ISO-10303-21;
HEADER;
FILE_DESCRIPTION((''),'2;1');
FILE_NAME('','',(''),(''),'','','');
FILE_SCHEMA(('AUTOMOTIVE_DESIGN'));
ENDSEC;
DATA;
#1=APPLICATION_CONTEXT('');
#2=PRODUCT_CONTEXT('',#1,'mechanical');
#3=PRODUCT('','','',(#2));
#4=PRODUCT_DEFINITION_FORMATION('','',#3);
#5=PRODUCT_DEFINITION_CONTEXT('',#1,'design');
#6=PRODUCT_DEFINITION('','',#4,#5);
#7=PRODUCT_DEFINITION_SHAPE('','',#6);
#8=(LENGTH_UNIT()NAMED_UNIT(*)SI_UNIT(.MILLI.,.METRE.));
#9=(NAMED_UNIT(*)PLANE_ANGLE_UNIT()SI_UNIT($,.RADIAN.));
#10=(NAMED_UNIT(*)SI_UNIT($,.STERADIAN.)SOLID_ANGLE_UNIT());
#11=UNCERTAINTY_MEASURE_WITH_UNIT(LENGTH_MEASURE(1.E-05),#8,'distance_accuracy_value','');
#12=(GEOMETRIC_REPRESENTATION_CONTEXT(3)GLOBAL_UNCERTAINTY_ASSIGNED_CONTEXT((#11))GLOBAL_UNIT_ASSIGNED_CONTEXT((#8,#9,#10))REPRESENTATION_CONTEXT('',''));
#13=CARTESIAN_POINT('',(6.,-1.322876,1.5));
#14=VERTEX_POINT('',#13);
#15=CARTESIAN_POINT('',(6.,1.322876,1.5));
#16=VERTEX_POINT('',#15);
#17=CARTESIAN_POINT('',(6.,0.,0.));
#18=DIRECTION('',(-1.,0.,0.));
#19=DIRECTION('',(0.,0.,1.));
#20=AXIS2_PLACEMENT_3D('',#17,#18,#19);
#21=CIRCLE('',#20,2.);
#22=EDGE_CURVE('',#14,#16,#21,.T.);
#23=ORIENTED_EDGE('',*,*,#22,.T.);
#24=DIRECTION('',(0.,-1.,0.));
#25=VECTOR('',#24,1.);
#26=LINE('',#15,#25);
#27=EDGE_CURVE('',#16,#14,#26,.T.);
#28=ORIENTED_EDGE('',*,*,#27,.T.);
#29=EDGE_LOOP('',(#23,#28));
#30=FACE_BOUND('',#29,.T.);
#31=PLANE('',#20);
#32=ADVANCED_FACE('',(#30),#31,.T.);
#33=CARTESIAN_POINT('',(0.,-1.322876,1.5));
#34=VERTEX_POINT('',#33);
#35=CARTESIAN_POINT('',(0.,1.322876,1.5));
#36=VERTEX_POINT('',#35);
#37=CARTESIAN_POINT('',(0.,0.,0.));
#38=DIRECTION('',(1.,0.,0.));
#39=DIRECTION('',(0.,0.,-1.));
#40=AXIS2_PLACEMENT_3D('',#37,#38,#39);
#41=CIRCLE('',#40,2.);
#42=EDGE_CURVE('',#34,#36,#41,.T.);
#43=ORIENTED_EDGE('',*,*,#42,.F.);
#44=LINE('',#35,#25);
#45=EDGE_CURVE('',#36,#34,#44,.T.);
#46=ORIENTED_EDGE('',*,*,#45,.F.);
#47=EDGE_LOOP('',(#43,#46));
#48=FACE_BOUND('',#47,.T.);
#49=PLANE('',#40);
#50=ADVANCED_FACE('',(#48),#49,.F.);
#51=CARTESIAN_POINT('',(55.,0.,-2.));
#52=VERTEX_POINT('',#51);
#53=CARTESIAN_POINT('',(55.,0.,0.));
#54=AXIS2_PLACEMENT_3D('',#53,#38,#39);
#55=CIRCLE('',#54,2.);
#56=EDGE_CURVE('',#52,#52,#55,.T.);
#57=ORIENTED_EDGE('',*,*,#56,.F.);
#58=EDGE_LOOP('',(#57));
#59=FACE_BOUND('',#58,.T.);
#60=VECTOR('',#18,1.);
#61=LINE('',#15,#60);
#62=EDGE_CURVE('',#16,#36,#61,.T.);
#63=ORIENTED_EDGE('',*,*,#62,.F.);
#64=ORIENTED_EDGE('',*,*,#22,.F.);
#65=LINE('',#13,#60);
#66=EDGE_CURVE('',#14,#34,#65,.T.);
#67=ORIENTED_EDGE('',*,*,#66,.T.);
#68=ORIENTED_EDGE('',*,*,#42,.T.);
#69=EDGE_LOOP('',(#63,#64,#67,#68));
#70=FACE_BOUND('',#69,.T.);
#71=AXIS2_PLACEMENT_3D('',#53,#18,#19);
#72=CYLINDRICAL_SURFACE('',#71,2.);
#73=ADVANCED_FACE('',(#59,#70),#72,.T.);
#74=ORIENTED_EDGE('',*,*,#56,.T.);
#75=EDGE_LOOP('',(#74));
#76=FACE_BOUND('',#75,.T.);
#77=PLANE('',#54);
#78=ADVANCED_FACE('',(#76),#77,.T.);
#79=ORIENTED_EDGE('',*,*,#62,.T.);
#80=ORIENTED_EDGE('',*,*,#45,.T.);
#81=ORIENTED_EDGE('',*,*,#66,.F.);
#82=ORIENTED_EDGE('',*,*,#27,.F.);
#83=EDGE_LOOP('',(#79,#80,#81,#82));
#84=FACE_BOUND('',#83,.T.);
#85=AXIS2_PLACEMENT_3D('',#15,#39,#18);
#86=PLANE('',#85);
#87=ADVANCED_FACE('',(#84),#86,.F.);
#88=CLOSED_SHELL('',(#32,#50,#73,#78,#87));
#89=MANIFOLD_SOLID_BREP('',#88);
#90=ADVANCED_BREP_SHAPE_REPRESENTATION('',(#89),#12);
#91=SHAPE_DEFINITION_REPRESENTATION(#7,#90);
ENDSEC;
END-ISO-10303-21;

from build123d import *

# Parameters (mm, degrees)
SKETCH1_R           = 2
BOSS_EXTRUDE1_DEPTH = 55
CUT_EXTRUDE1_DEPTH  = 6


with BuildPart() as part:
    # Sketch1 → Boss-Extrude1 (new body)
    with BuildSketch(Plane.YZ):
        with Locations(Location((0, 0, 0), (0, 0, 270))):
            Circle(SKETCH1_R)
    extrude(amount=BOSS_EXTRUDE1_DEPTH)

    # Sketch2 → Cut-Extrude1 (cut)
    with BuildSketch(Plane(origin=(0, 0, 0), x_dir=(0, -1, 0), z_dir=(-1, 0, 0))):
        with BuildLine():
            Line((-1.322875656, 1.5), (1.322875656, 1.5))
            ThreePointArc((1.322875656, 1.5), (0, 2), (-1.322875656, 1.5))
        make_face()
    extrude(amount=-CUT_EXTRUDE1_DEPTH, mode=Mode.SUBTRACT)


solid = part.part
